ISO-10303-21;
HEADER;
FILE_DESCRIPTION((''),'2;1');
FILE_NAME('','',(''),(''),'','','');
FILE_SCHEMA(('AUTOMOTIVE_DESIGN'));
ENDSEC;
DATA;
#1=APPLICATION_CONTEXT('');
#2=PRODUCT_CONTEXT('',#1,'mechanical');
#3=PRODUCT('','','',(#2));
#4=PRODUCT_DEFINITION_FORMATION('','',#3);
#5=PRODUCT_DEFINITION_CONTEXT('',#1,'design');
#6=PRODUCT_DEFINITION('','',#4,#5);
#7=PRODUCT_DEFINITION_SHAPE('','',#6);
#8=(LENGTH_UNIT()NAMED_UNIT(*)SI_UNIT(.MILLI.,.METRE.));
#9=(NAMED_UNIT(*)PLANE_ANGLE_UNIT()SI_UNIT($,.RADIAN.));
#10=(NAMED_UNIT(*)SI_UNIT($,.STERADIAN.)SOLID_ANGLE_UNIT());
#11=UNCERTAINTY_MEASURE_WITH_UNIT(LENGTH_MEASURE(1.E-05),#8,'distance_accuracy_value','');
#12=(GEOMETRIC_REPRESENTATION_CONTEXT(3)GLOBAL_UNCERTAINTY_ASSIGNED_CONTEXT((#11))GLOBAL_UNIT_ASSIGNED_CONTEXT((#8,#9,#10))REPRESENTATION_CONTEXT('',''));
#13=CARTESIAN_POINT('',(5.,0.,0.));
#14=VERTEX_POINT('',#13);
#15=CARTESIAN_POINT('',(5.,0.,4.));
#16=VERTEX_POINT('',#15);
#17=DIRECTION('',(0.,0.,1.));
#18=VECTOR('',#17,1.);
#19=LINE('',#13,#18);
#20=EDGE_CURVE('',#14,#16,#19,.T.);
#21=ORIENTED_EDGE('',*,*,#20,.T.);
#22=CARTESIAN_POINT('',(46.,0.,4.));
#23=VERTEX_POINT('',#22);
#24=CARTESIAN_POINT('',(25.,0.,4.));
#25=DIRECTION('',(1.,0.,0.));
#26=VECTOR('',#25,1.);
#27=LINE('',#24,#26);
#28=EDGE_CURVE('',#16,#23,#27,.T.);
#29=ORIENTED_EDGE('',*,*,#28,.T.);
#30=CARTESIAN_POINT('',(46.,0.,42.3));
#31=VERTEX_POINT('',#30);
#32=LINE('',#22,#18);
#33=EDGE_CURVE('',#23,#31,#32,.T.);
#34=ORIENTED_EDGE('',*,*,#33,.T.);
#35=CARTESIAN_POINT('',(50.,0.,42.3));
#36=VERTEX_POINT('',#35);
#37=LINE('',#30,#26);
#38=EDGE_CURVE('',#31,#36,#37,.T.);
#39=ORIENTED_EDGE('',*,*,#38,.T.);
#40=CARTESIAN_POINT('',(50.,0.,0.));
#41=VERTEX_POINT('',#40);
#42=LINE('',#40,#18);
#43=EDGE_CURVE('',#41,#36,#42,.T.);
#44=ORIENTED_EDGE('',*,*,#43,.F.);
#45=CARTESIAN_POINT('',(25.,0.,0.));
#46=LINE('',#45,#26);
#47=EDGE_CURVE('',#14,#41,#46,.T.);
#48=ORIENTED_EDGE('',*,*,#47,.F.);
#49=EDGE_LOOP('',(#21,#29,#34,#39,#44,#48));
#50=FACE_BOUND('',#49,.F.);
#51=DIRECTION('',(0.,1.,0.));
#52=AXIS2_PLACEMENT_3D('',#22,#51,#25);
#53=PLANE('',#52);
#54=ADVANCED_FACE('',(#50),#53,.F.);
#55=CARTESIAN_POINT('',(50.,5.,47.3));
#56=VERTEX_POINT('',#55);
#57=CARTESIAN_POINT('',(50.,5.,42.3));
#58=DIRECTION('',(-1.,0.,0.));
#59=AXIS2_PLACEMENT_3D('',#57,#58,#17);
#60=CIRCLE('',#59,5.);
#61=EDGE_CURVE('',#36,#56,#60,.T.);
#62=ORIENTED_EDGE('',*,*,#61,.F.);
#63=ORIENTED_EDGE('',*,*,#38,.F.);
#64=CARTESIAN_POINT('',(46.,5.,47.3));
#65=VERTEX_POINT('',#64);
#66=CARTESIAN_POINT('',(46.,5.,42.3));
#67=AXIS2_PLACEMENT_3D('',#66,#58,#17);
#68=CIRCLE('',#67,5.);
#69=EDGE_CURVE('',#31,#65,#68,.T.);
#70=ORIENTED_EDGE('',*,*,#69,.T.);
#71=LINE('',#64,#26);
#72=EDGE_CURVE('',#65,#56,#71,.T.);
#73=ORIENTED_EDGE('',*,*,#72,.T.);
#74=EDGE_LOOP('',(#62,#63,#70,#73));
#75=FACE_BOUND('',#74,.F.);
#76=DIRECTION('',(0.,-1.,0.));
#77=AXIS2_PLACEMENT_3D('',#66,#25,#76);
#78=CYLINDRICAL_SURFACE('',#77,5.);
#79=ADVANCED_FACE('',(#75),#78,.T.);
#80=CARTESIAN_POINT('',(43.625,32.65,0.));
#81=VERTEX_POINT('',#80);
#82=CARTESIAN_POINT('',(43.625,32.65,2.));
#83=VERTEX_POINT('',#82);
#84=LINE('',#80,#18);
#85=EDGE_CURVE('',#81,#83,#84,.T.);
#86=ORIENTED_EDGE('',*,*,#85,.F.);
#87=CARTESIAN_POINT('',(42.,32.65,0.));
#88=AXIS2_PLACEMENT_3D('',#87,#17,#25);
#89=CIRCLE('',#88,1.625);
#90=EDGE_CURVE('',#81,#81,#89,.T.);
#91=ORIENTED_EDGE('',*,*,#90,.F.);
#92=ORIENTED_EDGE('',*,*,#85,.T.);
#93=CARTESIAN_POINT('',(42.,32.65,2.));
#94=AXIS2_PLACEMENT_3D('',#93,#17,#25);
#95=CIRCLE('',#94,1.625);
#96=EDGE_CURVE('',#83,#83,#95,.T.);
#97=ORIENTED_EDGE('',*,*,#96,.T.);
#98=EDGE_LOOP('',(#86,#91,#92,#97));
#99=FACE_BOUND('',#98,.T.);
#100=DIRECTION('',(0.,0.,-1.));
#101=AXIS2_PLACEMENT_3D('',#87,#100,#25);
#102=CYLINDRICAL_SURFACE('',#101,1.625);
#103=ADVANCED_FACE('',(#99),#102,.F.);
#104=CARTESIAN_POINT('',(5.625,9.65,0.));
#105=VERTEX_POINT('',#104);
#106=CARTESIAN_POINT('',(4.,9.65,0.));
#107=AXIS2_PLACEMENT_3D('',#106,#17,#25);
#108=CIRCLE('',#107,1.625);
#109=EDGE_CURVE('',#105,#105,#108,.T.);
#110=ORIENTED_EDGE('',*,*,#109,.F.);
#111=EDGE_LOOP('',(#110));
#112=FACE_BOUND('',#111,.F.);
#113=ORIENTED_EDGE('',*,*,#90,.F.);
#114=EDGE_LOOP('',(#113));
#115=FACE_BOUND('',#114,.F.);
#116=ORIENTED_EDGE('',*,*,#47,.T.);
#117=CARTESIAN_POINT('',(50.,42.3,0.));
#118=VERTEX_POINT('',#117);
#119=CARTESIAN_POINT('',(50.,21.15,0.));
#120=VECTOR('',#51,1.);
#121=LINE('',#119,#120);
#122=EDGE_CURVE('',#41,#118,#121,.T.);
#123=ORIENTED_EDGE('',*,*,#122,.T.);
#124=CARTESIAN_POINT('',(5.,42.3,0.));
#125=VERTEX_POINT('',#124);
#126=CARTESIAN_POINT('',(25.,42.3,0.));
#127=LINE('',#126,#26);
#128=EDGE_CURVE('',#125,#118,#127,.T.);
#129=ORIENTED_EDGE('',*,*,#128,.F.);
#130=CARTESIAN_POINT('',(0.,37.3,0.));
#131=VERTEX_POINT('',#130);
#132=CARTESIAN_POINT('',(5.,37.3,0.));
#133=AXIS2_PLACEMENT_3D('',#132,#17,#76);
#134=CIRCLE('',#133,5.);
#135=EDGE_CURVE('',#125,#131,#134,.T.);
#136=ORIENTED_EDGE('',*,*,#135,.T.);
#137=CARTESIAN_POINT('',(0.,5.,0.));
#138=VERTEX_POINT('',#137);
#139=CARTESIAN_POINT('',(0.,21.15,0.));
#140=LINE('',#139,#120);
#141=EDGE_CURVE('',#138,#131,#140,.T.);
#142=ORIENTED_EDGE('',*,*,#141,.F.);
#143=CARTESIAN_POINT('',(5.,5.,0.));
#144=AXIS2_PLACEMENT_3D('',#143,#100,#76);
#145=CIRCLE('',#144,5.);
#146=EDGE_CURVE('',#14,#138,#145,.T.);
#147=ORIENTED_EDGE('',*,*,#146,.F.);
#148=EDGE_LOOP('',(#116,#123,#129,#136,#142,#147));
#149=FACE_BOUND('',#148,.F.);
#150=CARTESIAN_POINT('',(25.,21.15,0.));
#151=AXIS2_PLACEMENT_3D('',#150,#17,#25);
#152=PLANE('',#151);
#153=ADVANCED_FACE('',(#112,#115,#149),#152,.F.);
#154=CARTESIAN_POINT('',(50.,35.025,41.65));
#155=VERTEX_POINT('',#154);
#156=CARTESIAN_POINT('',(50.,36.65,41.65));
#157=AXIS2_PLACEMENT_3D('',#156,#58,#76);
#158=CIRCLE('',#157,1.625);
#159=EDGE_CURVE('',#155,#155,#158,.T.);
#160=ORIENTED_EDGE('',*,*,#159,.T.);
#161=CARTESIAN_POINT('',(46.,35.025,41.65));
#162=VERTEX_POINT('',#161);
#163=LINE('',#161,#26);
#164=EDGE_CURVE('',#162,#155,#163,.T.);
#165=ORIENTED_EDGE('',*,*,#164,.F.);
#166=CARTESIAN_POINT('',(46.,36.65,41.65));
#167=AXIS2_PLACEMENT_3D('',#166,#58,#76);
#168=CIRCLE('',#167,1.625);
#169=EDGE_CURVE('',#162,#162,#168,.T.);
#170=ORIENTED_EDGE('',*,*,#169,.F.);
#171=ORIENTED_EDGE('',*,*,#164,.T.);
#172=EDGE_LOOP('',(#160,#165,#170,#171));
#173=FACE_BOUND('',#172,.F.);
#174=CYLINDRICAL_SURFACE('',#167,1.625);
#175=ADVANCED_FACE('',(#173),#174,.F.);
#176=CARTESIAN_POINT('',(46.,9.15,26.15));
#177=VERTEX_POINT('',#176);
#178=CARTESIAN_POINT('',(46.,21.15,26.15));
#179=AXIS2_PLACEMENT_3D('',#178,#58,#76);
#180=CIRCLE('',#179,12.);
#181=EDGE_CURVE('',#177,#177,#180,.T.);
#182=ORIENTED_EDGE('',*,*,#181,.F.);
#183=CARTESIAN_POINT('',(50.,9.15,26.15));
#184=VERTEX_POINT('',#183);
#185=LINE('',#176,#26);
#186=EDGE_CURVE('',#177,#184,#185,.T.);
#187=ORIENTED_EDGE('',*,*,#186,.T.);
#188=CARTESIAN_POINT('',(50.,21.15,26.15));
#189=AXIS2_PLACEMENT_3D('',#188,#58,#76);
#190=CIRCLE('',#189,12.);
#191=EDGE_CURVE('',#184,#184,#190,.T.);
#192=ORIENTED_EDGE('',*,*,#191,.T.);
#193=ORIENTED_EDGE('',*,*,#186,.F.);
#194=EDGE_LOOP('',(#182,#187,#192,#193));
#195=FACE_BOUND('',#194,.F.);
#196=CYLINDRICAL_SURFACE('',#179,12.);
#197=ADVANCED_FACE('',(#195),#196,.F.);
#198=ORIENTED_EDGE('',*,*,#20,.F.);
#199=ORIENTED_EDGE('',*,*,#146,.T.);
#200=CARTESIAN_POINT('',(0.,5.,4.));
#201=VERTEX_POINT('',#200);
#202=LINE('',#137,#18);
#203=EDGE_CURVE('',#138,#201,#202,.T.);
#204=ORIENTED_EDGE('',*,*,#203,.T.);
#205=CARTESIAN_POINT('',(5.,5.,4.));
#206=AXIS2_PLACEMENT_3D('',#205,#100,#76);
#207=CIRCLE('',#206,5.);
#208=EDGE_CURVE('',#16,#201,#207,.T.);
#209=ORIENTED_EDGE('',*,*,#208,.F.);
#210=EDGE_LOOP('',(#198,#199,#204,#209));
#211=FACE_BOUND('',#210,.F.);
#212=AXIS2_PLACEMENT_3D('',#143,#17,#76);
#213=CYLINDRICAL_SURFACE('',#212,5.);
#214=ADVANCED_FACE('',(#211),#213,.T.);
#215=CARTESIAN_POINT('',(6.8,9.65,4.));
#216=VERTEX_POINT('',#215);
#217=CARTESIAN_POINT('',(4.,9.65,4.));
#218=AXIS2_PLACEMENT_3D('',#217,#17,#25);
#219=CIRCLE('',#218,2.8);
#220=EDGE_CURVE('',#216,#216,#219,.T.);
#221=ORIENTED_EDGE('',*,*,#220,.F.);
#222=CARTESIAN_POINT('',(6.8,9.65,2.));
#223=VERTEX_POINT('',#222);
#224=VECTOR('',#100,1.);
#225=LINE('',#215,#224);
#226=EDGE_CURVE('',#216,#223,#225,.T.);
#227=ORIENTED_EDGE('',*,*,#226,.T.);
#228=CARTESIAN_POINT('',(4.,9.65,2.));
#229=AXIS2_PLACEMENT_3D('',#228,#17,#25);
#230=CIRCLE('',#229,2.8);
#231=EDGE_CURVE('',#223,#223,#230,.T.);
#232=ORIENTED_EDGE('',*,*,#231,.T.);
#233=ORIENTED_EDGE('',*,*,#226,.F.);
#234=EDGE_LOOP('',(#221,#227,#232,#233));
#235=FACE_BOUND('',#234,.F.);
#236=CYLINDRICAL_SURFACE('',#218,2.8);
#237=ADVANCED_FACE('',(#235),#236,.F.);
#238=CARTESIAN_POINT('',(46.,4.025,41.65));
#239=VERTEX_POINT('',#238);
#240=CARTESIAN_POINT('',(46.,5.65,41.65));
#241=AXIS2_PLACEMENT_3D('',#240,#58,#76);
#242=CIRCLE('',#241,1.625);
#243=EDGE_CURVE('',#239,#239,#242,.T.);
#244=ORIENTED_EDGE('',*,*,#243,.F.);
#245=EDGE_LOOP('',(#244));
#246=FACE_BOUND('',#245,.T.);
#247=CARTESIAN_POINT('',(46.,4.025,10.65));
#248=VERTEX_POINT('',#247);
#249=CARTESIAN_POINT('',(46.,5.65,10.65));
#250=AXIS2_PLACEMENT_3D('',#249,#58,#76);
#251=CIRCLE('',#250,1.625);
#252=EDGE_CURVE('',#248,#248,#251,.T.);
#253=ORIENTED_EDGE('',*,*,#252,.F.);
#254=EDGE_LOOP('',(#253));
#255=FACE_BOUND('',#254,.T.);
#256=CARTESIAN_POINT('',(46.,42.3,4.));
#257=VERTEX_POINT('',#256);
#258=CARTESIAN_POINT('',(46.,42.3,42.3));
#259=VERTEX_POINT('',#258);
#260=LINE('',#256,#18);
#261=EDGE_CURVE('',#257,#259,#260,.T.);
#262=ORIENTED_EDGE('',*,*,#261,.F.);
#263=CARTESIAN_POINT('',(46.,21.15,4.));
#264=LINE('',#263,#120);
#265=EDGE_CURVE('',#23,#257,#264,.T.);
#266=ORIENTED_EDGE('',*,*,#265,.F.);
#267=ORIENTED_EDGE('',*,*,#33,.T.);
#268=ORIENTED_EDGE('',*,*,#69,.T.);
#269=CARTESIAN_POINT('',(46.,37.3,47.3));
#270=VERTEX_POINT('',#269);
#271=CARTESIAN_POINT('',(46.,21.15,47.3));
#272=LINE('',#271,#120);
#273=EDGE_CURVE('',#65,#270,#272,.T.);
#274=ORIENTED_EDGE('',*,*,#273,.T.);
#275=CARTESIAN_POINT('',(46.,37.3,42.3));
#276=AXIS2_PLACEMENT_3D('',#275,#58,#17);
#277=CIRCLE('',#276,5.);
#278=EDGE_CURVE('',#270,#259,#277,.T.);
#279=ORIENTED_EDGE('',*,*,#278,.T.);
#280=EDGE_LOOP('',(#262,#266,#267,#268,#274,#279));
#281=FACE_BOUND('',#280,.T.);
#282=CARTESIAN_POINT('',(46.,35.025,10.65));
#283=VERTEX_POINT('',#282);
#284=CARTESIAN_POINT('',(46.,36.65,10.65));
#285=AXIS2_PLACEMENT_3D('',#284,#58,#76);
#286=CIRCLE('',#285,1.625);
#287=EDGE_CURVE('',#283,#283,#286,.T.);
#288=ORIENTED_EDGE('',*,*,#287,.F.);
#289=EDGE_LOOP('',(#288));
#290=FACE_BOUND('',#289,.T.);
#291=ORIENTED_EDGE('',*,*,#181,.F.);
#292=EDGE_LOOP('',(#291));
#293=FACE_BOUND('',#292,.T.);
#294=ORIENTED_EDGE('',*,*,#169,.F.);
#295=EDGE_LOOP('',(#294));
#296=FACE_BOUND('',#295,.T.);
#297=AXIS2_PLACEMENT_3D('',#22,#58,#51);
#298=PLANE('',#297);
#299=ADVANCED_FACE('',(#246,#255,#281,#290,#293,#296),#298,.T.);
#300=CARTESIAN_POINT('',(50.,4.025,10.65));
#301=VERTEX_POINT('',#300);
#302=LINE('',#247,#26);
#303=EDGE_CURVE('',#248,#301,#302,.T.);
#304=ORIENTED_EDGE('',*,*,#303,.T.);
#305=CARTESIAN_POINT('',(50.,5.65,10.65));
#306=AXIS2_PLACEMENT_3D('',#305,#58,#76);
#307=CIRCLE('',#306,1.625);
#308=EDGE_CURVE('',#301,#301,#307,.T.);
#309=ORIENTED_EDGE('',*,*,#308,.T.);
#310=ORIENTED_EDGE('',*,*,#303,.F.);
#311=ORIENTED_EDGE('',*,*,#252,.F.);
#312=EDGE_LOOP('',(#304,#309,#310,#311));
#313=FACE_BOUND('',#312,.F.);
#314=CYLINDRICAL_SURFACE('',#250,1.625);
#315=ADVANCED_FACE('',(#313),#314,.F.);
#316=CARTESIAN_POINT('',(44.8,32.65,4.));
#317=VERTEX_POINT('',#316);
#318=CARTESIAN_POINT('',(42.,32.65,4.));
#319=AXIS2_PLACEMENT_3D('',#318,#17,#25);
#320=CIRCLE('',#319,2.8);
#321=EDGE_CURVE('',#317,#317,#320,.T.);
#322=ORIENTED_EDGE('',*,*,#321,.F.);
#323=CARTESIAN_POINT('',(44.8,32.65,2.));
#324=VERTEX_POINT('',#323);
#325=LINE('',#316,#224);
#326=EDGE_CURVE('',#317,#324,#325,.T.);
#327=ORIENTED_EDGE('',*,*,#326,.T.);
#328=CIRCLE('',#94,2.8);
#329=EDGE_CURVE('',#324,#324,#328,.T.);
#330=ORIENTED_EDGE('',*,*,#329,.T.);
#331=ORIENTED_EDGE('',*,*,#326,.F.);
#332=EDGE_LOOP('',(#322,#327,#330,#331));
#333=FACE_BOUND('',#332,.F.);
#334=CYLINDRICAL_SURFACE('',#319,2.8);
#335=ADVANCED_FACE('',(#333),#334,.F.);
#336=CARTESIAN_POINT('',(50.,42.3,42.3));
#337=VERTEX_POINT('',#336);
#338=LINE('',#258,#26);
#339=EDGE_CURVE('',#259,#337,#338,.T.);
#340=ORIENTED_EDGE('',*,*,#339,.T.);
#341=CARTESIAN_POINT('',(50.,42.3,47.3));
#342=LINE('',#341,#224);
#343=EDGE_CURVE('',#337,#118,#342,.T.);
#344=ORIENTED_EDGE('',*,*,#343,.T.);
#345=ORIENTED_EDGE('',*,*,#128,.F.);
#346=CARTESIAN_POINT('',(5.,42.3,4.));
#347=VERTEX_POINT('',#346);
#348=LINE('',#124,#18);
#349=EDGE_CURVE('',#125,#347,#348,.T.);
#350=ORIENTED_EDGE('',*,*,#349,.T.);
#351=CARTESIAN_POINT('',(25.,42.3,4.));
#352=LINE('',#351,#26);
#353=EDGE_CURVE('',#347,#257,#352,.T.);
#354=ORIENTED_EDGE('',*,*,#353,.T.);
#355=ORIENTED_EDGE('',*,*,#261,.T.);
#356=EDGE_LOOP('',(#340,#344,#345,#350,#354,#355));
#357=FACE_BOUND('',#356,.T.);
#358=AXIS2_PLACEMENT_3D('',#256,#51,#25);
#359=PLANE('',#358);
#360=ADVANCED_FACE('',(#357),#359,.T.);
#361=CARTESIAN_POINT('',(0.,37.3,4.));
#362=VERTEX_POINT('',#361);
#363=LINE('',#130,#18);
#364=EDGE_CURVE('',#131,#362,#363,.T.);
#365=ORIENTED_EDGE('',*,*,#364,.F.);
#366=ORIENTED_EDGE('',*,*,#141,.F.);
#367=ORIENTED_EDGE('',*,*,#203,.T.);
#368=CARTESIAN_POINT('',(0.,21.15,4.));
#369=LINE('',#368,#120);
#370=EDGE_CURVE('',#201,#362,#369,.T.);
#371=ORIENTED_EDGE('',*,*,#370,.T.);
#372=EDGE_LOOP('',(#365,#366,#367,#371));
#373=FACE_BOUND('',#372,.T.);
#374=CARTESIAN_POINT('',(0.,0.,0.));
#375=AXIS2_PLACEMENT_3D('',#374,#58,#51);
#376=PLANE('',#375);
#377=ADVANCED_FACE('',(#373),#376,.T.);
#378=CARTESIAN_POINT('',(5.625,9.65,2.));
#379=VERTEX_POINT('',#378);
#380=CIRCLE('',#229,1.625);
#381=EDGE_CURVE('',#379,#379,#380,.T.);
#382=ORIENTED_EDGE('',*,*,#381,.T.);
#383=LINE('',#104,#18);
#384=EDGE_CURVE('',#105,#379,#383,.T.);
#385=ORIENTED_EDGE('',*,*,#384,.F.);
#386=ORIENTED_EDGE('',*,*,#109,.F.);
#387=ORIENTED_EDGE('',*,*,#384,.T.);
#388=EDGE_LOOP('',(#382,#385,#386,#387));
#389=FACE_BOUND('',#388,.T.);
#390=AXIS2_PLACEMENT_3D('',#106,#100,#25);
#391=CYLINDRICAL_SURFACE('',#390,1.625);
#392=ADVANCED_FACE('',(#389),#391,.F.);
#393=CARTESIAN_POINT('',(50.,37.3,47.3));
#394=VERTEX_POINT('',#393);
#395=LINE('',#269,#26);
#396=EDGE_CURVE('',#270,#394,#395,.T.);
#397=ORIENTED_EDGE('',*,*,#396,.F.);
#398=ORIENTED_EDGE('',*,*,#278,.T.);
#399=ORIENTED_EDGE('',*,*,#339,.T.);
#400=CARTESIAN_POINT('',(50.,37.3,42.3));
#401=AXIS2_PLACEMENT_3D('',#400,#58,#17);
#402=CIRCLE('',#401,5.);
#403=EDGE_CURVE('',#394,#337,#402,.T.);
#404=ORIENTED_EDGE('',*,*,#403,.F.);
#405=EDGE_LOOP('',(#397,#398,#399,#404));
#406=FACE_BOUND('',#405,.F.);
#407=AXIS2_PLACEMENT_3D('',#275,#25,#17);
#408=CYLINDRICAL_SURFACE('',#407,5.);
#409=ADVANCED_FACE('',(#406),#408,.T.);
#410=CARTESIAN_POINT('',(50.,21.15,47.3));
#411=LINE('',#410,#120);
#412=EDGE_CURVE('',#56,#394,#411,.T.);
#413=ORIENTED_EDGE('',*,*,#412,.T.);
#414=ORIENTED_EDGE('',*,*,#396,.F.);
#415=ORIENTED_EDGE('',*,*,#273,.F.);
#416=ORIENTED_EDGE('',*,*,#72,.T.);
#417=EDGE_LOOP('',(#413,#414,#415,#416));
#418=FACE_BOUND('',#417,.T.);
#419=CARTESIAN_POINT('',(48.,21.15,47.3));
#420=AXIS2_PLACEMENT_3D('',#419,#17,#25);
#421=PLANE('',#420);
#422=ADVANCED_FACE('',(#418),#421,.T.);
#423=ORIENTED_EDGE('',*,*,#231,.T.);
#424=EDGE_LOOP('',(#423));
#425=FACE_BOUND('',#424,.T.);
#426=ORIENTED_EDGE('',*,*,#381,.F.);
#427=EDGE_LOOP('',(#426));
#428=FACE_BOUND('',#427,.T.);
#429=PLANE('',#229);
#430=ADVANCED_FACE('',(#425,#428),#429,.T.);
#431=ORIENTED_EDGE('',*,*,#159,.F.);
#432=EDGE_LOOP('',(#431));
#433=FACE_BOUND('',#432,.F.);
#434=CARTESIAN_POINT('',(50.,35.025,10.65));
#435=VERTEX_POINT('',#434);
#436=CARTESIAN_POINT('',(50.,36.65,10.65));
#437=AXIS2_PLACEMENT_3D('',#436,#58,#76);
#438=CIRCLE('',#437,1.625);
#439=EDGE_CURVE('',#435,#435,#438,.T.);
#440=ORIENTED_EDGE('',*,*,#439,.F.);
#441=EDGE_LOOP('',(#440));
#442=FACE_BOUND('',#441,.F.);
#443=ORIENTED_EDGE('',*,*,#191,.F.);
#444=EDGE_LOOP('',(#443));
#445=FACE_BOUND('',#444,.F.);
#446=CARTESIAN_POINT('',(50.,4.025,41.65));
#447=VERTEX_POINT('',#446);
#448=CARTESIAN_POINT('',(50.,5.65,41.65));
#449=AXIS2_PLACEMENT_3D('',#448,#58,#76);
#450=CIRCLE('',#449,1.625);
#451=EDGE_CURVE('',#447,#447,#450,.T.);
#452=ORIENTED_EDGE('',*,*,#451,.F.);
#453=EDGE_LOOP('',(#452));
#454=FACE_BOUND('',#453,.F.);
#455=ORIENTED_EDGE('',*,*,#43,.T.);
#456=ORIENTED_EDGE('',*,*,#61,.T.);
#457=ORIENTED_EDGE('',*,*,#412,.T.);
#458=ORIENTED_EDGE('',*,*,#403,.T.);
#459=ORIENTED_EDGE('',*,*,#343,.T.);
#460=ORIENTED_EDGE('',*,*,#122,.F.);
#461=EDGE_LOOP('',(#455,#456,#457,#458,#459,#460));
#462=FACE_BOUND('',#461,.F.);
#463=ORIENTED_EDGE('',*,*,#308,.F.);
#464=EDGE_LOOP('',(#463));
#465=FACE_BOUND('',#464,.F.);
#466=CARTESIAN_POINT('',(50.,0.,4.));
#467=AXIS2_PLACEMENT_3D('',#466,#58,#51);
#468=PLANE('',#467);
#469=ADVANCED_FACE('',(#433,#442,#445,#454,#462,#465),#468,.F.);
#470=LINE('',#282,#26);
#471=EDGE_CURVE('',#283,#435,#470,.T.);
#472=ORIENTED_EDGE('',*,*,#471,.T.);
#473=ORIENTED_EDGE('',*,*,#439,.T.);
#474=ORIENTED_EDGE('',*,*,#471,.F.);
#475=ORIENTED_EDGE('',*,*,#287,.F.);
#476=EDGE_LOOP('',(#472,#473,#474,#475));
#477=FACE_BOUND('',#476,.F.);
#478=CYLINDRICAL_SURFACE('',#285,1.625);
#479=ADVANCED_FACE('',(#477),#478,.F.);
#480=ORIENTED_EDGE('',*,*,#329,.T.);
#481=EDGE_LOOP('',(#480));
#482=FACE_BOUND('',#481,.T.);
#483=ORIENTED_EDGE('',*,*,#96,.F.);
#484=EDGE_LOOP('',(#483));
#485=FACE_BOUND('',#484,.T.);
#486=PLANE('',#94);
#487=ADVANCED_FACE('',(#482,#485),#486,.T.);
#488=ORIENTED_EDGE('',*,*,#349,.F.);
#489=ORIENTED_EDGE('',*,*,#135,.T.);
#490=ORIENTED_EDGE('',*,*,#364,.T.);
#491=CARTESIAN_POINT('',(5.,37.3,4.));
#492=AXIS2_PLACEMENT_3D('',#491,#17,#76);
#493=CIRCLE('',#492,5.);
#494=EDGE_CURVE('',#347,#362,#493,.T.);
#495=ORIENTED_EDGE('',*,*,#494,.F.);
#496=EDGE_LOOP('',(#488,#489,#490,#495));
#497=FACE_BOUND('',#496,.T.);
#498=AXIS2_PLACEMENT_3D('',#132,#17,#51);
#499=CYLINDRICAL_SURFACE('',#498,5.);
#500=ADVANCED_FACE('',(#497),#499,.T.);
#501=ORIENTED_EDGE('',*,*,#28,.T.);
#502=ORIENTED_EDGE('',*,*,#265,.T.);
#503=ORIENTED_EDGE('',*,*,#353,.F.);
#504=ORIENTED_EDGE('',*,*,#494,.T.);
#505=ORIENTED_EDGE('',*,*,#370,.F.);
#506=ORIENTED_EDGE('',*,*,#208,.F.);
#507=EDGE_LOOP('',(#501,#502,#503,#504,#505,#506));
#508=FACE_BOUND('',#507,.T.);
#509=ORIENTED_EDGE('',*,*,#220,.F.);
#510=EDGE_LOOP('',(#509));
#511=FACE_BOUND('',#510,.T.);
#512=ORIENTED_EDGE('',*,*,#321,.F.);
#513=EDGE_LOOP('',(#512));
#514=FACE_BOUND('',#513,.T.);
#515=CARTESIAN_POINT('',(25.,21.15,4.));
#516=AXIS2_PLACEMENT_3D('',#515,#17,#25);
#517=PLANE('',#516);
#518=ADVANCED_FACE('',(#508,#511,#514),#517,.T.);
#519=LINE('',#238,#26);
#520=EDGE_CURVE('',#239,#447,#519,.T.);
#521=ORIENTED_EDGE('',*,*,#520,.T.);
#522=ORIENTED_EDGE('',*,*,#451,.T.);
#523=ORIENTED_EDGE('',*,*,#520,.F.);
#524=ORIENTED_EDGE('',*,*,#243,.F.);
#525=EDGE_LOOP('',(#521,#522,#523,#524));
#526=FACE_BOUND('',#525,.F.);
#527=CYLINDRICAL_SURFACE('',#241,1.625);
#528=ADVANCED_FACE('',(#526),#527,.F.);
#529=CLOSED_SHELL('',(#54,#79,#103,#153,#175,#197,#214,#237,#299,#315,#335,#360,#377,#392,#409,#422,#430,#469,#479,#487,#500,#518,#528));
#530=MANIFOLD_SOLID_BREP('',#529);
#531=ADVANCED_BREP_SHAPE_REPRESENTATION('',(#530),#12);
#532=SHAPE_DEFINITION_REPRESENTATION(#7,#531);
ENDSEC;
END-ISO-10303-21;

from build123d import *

# Parameters (mm, degrees)
F0_W     = 50
F0_H     = 42.3
F0_R     = 2.8
F0_R_2   = 1.625
F1_DEPTH = 4
F2_R     = 2.8
F2_R_2   = 1.625
F3_DEPTH = 2
F4_W     = 4
F4_H     = 42.3
F5_DEPTH = 43.3
F6_R     = 12
F6_R_2   = 1.625
F7_DEPTH = 25
F8_R     = 5


with BuildPart() as f1:
    # F0 (on Top) → F1 (new body)
    with BuildSketch(Plane.XY):
        with Locations((25, 21.15)):
            Rectangle(F0_W, F0_H)
        with Locations((4, 9.65)):
            Circle(F0_R, mode=Mode.SUBTRACT)
        with Locations((42, 32.65)):
            Circle(F0_R, mode=Mode.SUBTRACT)
        with Locations((42, 32.65)):
            Circle(F0_R)
        with Locations((42, 32.65)):
            Circle(F0_R_2, mode=Mode.SUBTRACT)
        with Locations((4, 9.65)):
            Circle(F0_R)
        with Locations((4, 9.65)):
            Circle(F0_R_2, mode=Mode.SUBTRACT)
    extrude(amount=F1_DEPTH)

    # F2 (on face) → F3 (cut)
    with BuildSketch(Plane.XY.offset(4)):
        with Locations((4, 9.65)):
            Circle(F2_R)
        with Locations((4, 9.65)):
            Circle(F2_R_2, mode=Mode.SUBTRACT)
        with Locations((42, 32.65)):
            Circle(F2_R)
        with Locations((42, 32.65)):
            Circle(F2_R_2, mode=Mode.SUBTRACT)
    extrude(amount=-F3_DEPTH, mode=Mode.SUBTRACT)

    # F4 (on face) → F5 (join)
    with BuildSketch(Plane.XY.offset(4)):
        with Locations((48, 21.15)):
            Rectangle(F4_W, F4_H)
    extrude(amount=F5_DEPTH)

    # F6 (on face) → F7 (cut)
    with BuildSketch(Plane(origin=(46, 0, 0), x_dir=(0, -1, 0), z_dir=(-1, 0, 0))):
        with Locations((-21.15, 26.15)):
            Circle(F6_R)
        with Locations((-36.65, 41.65)):
            Circle(F6_R_2)
        with Locations((-5.65, 41.65)):
            Circle(F6_R_2)
        with Locations((-5.65, 10.65)):
            Circle(F6_R_2)
        with Locations((-36.65, 10.65)):
            Circle(F6_R_2)
    extrude(amount=-F7_DEPTH, mode=Mode.SUBTRACT)

    # F8
    f8_edges = [f1.edges().sort_by_distance(p)[0] for p in [
        (0, 0, 2),
        (0, 42.3, 2),
        (48, 42.3, 47.3),
        (48, 0, 47.3),
    ]]
    fillet(f8_edges, radius=F8_R)


solid = f1.part
